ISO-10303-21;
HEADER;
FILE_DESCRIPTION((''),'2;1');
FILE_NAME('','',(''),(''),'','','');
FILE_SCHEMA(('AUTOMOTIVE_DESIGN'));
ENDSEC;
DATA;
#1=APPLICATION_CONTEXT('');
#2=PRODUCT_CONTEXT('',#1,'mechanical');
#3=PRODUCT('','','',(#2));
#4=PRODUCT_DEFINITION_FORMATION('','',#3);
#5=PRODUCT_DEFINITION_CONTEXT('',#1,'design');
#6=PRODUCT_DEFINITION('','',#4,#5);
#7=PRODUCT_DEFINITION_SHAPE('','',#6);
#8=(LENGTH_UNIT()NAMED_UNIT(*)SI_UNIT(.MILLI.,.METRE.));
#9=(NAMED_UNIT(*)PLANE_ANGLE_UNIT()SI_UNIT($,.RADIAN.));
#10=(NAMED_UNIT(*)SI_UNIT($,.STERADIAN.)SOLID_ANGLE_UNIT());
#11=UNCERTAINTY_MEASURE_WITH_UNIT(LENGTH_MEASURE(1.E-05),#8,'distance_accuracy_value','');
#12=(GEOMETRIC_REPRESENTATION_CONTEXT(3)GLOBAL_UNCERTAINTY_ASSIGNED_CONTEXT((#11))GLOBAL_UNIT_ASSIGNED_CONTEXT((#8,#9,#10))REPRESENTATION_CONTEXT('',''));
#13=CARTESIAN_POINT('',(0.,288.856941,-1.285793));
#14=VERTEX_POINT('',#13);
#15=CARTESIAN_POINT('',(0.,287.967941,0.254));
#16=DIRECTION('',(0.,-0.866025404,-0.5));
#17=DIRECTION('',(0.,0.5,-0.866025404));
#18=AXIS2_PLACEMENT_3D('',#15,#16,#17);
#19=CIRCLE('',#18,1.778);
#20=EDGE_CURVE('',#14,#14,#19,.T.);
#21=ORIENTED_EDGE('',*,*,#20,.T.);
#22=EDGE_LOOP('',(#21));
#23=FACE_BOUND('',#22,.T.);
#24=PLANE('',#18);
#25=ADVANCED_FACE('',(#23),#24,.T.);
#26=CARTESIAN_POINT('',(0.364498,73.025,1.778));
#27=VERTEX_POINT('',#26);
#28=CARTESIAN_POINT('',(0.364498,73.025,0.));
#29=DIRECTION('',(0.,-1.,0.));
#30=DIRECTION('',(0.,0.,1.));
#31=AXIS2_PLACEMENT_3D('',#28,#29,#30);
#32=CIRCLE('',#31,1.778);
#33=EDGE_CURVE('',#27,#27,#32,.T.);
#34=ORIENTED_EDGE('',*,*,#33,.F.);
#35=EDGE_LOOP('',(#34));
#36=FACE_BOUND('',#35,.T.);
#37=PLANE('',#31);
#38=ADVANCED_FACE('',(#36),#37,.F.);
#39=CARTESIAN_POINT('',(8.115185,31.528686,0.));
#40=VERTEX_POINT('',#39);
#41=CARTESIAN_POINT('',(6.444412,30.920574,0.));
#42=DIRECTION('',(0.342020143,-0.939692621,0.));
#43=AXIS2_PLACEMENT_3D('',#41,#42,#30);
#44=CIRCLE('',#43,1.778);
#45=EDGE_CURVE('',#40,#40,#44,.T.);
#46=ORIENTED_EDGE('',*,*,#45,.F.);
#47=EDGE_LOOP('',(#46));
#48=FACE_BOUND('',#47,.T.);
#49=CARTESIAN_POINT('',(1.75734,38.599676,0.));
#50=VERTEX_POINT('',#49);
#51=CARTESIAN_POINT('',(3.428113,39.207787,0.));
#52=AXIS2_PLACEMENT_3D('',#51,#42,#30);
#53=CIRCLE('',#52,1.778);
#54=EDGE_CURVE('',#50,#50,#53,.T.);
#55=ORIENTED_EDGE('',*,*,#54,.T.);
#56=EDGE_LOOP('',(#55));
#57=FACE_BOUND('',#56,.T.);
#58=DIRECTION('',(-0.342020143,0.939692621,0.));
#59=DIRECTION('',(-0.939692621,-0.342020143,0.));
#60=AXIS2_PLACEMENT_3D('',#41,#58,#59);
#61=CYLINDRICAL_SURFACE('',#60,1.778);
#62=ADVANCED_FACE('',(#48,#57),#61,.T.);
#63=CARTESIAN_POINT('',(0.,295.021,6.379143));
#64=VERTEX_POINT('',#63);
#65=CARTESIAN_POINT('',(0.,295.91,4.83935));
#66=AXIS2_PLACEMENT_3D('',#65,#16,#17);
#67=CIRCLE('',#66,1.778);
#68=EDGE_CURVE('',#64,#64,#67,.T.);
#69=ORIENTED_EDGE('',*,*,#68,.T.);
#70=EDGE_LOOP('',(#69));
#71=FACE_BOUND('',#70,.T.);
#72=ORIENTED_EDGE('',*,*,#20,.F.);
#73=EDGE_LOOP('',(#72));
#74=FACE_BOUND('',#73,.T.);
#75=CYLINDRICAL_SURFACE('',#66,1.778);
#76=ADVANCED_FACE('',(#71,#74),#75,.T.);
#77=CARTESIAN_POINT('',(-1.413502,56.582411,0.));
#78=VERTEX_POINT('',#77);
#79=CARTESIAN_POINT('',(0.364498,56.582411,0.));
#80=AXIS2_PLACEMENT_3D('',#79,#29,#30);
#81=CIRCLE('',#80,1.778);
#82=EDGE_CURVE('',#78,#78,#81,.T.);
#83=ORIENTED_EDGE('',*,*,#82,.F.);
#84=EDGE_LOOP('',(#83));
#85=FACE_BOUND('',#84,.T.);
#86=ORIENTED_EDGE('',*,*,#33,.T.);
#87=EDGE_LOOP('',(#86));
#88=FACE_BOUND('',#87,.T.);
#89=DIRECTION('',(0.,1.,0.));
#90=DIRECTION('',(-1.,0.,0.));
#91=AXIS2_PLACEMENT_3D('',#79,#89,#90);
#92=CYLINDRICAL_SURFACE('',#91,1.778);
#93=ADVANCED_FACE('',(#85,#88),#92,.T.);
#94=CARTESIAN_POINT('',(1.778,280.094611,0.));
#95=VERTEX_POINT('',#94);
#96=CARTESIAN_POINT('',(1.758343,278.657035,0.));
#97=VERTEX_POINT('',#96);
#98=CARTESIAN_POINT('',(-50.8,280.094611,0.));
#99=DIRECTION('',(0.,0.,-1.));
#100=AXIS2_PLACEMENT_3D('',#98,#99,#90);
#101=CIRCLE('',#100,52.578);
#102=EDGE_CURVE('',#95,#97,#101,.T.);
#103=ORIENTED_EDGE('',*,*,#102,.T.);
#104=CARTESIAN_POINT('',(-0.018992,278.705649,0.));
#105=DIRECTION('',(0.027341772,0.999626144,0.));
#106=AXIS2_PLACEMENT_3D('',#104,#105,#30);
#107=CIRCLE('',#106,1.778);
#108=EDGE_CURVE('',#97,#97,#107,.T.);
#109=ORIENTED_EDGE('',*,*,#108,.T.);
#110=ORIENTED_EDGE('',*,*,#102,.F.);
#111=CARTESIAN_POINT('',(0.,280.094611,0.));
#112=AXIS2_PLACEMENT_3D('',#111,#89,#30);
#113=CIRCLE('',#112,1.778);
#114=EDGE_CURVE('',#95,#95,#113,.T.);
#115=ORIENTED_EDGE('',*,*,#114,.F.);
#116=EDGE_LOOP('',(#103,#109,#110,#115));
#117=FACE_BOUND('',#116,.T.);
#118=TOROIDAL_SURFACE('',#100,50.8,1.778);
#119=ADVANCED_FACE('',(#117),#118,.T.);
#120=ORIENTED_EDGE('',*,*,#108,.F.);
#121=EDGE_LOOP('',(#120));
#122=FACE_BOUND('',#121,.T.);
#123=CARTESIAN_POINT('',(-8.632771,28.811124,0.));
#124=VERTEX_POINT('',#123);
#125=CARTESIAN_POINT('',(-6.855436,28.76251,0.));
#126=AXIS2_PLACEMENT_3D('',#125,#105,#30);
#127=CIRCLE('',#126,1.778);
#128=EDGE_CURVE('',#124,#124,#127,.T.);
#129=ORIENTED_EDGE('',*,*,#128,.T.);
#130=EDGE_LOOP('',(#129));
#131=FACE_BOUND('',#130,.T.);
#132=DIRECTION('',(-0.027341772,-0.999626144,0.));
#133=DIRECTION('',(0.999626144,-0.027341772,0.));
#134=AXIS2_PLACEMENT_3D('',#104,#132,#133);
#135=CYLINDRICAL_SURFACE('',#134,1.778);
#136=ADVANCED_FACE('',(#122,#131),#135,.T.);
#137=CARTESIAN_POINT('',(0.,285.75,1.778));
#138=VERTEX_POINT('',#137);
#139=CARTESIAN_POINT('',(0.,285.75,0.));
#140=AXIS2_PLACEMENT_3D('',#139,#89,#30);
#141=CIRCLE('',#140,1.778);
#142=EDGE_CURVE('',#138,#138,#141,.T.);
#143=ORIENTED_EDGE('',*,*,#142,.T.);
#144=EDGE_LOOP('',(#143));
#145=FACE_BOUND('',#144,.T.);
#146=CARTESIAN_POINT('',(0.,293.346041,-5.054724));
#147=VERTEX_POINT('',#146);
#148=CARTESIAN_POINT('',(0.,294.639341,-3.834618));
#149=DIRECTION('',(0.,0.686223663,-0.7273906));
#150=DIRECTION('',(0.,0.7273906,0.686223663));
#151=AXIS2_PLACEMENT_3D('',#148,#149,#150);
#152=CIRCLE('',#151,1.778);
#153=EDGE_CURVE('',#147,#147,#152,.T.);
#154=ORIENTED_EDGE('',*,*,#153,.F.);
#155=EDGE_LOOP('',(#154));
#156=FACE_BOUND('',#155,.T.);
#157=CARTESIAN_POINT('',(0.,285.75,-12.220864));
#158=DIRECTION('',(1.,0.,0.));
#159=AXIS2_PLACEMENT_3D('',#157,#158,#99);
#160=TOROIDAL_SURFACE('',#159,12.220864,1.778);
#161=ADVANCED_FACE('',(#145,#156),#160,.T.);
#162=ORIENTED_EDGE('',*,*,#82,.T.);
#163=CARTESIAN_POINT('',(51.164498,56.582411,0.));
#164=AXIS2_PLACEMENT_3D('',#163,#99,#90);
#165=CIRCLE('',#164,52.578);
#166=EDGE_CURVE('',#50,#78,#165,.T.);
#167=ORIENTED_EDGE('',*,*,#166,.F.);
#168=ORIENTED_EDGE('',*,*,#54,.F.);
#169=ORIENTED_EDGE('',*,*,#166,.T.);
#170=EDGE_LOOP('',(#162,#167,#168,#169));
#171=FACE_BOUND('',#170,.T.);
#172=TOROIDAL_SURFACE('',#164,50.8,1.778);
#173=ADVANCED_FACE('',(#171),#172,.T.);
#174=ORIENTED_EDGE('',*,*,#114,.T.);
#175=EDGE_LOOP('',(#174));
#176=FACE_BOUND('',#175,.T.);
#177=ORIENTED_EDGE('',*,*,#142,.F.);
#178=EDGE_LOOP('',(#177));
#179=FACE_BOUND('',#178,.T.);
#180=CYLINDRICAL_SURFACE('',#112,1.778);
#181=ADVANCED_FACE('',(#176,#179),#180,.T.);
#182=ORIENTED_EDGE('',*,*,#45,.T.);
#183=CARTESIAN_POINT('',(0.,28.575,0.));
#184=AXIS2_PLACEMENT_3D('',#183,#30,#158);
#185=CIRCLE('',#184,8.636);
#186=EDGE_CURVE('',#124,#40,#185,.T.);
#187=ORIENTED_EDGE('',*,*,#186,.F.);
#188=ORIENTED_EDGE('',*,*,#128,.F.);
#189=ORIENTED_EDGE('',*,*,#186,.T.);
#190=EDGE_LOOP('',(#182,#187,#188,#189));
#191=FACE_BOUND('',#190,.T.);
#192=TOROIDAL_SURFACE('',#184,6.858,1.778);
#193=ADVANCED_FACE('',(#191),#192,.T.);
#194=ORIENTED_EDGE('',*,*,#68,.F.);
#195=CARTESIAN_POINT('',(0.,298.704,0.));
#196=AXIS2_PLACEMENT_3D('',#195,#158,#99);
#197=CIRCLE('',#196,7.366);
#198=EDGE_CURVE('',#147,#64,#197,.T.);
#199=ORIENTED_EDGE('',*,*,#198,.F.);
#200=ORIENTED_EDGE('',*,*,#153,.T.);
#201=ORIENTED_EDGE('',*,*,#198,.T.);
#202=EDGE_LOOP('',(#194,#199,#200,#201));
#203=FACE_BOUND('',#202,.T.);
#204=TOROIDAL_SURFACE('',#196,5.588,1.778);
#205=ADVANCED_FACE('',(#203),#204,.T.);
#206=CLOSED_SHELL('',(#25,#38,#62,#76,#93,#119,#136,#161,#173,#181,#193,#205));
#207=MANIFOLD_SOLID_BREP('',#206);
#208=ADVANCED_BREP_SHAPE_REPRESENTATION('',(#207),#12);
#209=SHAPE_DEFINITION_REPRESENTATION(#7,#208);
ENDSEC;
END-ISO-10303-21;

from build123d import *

# Parameters (mm, degrees)
SKETCH2_R = 1.778
SKETCH4_R = 1.778


with BuildPart() as part:
    # Sweep1: sweep along a path in Sketch1
    with BuildLine(Plane.XY) as sweep1_path:
        Line((0, 285.75), (0, 280.094610855))
        ThreePointArc((0, 280.094610855), (-0.004748195, 279.400064924), (-0.018991892, 278.70564883))
        Line((-0.018991892, 278.70564883), (-6.855436095, 28.762509873))
        ThreePointArc((-6.855436095, 28.762509873), (1.098428674, 21.805537802), (6.444411993, 30.920574143))
        Line((6.444411993, 30.920574143), (3.428113065, 39.207787339))
        ThreePointArc((3.428113065, 39.207787339), (1.136264348, 47.761083195), (0.364498201, 56.58241062))
        Line((0.364498201, 56.58241062), (0.364498201, 73.025))
    # Sketch2 → Sweep1 (sweep)
    with BuildSketch(Plane(origin=(0, 285.75, 0), x_dir=(1, 0, 0), z_dir=(0, 1, 0))):
        Circle(SKETCH2_R)
    sweep(path=sweep1_path.line)

    # Sweep2: sweep along a path in Sketch3
    with BuildLine(Plane(origin=(0, 0, 0), x_dir=(0, 0, -1), z_dir=(1, 0, 0))) as sweep2_path:
        Line((-0.254, 287.967940905), (-4.839349956, 295.91))
        ThreePointArc((-4.839349956, 295.91), (0.809947546, 304.232989869), (3.834617828, 294.639341329))
        ThreePointArc((3.834617828, 294.639341329), (0.999529614, 290.59057546), (0, 285.75))
    # Sketch4 → Sweep2 (sweep)
    with BuildSketch(Plane(origin=(0, 285.75, 0), x_dir=(1, 0, 0), z_dir=(0, 1, 0))):
        Circle(SKETCH4_R)
    sweep(path=sweep2_path.line)


solid = part.part
